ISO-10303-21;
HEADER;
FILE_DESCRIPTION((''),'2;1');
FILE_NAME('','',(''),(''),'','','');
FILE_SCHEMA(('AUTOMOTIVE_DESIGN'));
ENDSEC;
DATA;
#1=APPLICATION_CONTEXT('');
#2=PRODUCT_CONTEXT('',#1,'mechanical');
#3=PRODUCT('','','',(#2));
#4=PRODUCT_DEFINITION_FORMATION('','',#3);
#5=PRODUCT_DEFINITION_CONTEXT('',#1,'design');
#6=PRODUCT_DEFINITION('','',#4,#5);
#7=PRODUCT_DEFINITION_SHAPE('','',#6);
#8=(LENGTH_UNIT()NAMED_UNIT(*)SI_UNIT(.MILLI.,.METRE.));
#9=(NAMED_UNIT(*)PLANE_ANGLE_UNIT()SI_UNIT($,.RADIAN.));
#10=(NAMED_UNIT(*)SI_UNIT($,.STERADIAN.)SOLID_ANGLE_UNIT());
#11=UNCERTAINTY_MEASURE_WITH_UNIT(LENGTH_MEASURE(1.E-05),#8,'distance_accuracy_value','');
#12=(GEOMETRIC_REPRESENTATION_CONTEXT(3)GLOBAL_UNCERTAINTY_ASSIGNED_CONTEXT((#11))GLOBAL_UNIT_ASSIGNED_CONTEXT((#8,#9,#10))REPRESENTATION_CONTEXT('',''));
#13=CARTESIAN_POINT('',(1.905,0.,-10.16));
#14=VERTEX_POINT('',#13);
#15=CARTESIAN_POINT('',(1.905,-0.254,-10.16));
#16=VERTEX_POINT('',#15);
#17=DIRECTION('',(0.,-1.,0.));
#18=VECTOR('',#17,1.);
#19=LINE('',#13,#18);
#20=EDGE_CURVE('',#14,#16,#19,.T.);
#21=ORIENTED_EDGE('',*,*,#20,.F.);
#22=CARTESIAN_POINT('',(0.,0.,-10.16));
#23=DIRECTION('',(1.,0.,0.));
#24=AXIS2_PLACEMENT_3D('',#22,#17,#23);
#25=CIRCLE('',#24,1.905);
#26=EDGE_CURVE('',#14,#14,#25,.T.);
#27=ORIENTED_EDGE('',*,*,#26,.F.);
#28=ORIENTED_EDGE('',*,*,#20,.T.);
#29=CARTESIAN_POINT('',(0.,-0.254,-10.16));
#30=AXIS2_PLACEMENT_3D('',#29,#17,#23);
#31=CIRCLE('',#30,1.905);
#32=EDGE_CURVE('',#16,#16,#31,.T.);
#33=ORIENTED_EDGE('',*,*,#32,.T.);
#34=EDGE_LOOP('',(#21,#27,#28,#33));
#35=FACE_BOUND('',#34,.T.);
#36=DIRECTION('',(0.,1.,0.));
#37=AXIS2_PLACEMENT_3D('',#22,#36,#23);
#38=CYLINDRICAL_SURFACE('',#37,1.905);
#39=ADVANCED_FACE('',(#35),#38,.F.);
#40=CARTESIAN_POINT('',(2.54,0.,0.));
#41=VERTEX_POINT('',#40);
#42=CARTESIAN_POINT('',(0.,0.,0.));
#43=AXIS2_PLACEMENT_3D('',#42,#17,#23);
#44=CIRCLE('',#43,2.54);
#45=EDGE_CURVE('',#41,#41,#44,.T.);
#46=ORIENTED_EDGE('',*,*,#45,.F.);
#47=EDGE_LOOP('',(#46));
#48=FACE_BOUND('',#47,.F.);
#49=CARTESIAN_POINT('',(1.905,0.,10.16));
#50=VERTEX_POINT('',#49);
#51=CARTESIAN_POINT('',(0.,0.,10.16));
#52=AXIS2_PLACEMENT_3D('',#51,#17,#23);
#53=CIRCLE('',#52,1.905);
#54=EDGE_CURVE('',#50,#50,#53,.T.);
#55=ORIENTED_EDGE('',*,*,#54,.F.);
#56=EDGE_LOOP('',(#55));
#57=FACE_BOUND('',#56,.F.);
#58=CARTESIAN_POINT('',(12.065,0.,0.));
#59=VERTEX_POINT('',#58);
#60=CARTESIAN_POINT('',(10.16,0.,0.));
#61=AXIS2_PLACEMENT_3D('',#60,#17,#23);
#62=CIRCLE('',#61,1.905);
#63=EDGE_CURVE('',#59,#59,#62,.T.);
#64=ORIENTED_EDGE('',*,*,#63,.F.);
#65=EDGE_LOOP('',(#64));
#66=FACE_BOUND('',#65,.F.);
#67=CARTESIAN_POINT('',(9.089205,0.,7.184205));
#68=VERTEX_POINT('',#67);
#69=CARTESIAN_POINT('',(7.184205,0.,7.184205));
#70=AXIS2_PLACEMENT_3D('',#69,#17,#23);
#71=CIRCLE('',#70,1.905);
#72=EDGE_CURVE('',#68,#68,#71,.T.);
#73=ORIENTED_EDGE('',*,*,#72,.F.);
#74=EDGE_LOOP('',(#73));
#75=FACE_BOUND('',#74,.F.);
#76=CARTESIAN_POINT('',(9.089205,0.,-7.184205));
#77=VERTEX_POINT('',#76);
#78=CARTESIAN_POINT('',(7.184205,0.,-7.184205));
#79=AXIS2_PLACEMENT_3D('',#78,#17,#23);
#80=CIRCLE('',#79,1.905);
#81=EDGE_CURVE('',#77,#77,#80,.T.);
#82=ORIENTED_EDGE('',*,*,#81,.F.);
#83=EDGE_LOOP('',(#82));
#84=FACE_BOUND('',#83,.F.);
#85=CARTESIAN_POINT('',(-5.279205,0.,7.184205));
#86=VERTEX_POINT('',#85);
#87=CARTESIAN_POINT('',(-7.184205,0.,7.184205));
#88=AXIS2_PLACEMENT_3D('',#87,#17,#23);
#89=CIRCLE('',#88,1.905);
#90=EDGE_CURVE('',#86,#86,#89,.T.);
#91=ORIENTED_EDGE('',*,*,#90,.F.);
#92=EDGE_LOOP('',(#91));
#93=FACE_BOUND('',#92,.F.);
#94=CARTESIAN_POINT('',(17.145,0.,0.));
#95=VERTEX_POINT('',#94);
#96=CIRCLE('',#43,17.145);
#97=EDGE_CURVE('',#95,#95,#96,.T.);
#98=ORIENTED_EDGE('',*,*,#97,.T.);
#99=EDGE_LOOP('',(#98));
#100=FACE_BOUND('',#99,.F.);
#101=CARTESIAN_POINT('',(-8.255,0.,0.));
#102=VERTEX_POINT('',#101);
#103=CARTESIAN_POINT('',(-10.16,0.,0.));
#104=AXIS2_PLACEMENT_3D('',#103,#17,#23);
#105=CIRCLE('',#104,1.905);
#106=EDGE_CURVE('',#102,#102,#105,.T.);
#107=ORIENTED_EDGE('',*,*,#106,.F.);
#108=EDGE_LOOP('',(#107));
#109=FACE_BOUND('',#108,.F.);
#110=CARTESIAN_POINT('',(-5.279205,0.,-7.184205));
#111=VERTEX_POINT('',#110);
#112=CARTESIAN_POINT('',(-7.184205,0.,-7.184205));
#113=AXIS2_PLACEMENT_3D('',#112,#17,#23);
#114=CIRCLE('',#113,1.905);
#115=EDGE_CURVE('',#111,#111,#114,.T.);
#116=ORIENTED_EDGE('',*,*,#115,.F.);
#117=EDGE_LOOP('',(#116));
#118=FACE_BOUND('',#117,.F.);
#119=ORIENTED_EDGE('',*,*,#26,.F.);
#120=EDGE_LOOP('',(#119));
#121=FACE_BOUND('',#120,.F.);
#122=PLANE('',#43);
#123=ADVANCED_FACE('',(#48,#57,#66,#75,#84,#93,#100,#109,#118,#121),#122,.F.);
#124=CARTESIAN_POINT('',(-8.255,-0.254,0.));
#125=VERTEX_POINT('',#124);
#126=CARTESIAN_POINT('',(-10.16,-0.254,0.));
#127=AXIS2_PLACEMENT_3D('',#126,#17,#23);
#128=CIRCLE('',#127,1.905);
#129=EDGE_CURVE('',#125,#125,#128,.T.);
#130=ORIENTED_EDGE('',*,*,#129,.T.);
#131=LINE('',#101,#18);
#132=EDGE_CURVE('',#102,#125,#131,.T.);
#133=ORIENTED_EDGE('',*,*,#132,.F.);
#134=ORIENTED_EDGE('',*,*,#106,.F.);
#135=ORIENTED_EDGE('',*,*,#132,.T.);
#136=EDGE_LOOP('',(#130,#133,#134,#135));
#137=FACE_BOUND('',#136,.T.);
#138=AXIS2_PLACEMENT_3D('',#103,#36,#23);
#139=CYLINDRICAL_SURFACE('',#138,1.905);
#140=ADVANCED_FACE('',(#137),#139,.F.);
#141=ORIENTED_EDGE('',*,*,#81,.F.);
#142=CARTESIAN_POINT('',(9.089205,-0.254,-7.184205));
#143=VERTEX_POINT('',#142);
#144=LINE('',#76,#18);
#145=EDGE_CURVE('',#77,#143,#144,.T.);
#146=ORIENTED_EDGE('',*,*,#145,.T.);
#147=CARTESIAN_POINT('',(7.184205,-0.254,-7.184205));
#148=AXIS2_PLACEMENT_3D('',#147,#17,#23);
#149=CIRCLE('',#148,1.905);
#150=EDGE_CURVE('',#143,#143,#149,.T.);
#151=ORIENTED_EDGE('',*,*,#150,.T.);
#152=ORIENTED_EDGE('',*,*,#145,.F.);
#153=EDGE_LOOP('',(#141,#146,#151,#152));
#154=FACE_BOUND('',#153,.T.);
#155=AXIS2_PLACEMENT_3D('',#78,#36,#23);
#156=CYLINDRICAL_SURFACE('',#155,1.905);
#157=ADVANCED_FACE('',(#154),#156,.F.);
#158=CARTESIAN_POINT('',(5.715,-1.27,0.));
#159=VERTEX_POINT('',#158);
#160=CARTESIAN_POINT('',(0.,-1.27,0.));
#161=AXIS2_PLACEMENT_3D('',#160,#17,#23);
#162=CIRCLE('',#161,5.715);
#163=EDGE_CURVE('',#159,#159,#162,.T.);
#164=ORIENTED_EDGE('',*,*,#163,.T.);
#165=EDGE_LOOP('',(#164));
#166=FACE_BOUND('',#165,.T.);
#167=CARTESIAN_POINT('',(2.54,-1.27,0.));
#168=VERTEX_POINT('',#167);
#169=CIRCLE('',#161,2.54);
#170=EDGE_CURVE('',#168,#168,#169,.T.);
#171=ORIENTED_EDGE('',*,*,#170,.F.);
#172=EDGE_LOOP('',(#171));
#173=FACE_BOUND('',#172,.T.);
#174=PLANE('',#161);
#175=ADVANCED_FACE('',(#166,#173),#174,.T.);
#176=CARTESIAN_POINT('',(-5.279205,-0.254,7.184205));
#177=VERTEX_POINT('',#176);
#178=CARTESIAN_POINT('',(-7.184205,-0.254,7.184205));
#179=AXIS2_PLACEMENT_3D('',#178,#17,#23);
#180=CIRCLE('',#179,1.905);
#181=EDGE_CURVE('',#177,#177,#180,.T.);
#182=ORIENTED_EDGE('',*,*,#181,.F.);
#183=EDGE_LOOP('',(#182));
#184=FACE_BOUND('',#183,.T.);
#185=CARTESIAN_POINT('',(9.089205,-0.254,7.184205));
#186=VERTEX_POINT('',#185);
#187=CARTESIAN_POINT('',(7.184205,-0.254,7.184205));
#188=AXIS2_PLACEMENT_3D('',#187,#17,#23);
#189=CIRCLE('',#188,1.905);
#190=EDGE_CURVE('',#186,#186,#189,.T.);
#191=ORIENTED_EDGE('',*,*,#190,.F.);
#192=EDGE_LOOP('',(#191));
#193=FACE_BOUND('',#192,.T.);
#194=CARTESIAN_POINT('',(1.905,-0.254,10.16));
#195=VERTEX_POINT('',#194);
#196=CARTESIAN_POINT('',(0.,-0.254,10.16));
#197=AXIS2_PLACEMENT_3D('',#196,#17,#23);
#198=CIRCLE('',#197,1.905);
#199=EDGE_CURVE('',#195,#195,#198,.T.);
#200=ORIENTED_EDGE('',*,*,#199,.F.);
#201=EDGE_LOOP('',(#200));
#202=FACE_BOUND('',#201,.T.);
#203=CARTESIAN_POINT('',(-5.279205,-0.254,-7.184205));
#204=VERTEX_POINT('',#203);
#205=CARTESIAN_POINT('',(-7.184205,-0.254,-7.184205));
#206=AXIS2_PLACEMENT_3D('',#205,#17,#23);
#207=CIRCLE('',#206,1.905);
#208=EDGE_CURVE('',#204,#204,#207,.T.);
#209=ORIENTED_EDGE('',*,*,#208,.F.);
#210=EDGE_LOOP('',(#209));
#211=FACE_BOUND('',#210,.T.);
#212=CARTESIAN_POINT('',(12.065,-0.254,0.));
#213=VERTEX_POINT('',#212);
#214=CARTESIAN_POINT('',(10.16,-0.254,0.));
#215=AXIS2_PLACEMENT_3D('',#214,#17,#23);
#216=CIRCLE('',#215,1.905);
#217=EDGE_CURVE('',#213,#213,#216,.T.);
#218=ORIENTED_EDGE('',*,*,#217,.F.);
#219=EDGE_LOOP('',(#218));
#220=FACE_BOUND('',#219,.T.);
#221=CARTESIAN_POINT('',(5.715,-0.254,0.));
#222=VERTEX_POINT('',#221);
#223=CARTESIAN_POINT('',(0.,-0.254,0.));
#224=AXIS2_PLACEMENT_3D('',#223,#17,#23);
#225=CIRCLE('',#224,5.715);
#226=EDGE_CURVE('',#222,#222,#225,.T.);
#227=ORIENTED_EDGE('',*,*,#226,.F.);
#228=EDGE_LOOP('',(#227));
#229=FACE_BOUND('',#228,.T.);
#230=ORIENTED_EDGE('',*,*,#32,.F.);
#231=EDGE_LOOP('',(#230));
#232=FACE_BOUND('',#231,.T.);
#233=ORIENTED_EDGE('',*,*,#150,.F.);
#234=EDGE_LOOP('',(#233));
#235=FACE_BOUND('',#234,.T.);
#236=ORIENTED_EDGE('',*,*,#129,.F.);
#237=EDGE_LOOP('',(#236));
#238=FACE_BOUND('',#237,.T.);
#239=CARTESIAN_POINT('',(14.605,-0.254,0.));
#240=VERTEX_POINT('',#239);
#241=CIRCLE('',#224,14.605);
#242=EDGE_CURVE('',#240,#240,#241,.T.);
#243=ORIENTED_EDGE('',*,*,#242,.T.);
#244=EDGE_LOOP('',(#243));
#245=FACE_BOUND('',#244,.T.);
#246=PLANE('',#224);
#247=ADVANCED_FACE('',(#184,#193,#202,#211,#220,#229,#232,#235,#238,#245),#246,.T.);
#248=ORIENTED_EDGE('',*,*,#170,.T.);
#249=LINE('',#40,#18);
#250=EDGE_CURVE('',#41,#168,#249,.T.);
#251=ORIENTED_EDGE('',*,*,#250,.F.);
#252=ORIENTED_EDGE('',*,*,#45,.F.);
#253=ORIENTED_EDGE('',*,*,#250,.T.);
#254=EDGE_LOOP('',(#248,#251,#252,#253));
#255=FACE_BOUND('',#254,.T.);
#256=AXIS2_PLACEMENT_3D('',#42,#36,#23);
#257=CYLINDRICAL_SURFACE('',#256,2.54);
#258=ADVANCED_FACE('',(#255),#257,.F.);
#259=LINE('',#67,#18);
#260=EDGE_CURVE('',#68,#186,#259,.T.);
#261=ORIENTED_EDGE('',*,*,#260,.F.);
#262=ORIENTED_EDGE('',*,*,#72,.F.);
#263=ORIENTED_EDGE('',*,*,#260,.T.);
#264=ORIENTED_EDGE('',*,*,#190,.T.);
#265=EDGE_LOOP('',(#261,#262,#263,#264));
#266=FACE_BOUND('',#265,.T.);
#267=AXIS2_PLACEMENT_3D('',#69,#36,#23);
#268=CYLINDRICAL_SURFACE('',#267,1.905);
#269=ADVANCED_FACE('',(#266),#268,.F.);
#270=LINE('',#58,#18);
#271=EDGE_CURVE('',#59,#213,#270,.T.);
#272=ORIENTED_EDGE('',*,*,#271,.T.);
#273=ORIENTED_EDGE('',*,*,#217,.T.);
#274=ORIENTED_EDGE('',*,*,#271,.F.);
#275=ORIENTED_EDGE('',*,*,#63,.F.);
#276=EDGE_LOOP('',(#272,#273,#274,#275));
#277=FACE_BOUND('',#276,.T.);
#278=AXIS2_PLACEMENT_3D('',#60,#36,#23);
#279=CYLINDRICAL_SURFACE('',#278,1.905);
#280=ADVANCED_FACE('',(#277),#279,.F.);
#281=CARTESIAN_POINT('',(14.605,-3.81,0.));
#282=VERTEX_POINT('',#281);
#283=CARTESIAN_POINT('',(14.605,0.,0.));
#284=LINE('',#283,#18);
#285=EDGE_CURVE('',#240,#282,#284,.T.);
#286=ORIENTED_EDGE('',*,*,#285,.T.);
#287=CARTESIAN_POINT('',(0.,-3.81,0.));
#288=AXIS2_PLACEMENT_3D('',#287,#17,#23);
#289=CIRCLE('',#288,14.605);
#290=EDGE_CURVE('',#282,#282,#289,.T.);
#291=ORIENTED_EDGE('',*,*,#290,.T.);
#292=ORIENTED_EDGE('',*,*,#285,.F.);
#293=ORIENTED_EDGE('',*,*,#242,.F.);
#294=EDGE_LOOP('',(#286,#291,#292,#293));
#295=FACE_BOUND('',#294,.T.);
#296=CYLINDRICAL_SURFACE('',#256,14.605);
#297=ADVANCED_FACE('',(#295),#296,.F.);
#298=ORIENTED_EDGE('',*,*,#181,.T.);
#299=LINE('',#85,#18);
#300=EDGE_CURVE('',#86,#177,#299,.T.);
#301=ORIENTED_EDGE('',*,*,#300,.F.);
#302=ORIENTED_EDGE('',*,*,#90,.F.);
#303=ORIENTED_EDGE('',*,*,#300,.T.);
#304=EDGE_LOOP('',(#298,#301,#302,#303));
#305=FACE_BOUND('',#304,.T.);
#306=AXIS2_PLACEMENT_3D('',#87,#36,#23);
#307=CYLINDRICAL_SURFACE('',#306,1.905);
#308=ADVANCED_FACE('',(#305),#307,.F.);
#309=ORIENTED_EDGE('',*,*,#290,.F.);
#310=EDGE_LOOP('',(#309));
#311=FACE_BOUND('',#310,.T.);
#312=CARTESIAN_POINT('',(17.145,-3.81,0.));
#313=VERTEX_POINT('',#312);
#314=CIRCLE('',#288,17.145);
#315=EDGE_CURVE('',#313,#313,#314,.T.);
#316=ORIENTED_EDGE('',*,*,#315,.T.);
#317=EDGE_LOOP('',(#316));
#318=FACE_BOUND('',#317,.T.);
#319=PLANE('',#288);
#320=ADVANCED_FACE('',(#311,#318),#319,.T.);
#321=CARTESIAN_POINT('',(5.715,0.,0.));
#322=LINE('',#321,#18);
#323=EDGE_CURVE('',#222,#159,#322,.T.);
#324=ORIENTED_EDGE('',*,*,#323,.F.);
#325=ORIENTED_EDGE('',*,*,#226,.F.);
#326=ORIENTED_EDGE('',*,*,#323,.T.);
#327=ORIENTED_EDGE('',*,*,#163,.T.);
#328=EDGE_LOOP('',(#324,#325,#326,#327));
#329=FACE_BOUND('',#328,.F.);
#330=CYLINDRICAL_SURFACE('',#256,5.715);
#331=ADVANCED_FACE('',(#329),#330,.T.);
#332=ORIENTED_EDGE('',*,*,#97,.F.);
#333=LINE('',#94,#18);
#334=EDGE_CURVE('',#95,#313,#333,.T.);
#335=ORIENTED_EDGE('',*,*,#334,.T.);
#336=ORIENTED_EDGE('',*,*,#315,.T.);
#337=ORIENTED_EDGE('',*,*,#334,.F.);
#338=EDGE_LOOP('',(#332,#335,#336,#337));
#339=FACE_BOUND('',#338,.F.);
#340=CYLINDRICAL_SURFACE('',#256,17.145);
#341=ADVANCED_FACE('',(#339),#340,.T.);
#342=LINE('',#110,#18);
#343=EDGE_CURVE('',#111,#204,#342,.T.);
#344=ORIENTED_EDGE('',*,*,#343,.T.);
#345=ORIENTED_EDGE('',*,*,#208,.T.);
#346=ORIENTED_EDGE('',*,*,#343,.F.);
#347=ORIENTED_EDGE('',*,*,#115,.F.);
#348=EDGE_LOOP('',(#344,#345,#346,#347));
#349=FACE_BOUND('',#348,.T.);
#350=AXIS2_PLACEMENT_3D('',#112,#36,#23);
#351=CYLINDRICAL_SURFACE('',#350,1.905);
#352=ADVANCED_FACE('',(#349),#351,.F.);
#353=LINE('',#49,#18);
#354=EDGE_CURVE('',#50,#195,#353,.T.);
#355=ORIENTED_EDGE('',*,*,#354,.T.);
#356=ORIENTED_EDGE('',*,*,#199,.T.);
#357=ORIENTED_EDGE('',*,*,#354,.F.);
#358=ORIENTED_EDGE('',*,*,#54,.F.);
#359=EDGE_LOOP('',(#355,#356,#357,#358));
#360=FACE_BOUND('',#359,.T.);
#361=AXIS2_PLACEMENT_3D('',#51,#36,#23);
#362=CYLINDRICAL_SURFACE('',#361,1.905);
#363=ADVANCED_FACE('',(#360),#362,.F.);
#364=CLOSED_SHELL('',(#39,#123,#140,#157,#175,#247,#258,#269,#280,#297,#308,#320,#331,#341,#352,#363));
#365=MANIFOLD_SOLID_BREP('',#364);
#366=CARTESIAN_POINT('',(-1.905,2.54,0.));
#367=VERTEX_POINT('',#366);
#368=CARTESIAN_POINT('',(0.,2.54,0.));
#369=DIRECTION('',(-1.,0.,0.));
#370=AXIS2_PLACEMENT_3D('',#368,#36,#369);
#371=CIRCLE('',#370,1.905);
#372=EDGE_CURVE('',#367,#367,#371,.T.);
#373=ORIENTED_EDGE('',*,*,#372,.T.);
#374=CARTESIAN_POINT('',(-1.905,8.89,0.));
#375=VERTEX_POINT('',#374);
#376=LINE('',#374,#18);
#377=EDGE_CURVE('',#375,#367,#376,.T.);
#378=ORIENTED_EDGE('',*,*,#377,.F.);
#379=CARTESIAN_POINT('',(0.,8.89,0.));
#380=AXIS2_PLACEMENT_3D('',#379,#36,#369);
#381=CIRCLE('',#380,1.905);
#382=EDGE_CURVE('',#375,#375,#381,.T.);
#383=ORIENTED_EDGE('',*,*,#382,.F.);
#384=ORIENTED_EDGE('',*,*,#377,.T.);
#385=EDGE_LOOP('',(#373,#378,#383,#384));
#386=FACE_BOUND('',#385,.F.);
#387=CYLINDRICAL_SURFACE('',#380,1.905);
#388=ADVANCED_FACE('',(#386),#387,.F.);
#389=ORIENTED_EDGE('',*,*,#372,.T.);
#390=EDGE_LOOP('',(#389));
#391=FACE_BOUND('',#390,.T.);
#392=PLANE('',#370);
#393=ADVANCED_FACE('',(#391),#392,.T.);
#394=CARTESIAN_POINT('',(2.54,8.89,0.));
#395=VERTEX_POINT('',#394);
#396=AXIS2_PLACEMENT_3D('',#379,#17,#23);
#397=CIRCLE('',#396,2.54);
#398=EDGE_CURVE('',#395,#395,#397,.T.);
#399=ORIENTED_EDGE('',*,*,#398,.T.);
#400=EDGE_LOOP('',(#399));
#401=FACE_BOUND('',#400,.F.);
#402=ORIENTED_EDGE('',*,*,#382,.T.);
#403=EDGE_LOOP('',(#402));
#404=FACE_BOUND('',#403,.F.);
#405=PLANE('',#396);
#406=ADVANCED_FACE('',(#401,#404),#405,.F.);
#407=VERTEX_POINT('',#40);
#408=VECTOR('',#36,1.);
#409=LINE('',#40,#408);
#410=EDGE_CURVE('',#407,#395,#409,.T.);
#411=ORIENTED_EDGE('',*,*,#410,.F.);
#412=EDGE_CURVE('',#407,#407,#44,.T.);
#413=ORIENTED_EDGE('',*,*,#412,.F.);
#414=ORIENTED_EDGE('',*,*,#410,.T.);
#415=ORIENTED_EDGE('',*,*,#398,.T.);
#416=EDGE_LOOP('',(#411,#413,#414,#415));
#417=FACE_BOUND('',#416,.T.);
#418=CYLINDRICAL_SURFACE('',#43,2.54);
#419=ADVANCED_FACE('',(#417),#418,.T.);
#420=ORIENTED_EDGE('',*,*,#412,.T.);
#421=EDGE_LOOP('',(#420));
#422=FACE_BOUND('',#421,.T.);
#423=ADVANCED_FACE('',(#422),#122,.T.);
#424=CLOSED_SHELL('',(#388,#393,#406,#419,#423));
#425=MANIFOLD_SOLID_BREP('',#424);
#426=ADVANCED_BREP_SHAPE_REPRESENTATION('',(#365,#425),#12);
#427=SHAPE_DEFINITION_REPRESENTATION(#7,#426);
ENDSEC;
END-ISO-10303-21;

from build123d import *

# Parameters (mm, degrees)
F0_R     = 17.145
F0_R_2   = 14.605
F1_DEPTH = 3.81
F0_R_3   = 5.715
F0_R_4   = 2.54
F2_DEPTH = 1.27
F0_R_5   = 1.905
F3_DEPTH = 0.254
F4_DEPTH = 8.89
F5_R     = 1.905
F6_DEPTH = 6.35


with BuildPart() as f1:
    # F0 (on Front) → F1 (new body)
    with BuildSketch(Plane.XZ):
        Circle(F0_R)
        Circle(F0_R_2, mode=Mode.SUBTRACT)
    extrude(amount=F1_DEPTH)



with BuildPart() as f2:
    # F0 (on Front) → F2 (new body)
    with BuildSketch(Plane.XZ):
        Circle(F0_R_3)
        Circle(F0_R_4, mode=Mode.SUBTRACT)
    extrude(amount=F2_DEPTH)


with BuildPart() as f1_1:
    add(f1.part)

    add(f2.part)  # F3 merges F2
    # F0 (on Front) → F3 (join)
    with BuildSketch(Plane.XZ):
        Circle(F0_R_2)
        with Locations((-7.184205, -7.184205)):
            Circle(F0_R_5, mode=Mode.SUBTRACT)
        with Locations((0, -10.16)):
            Circle(F0_R_5, mode=Mode.SUBTRACT)
        with Locations((7.184205, -7.184205)):
            Circle(F0_R_5, mode=Mode.SUBTRACT)
        with Locations((-10.16, 0)):
            Circle(F0_R_5, mode=Mode.SUBTRACT)
        with Locations((-7.184205, 7.184205)):
            Circle(F0_R_5, mode=Mode.SUBTRACT)
        Circle(F0_R_3, mode=Mode.SUBTRACT)
        with Locations((7.184205, 7.184205)):
            Circle(F0_R_5, mode=Mode.SUBTRACT)
        with Locations((10.16, 0)):
            Circle(F0_R_5, mode=Mode.SUBTRACT)
        with Locations((0, 10.16)):
            Circle(F0_R_5, mode=Mode.SUBTRACT)
    extrude(amount=F3_DEPTH)

    # F0 (on Front) → F4 (join)
    with BuildSketch(Plane.XZ):
        Circle(F0_R_4)
    extrude(amount=-F4_DEPTH)

    # F5 (on face) → F6 (cut)
    with BuildSketch(Plane(origin=(0, 8.89, 0), x_dir=(-1, 0, 0), z_dir=(0, 1, 0))):
        Circle(F5_R)
    extrude(amount=-F6_DEPTH, mode=Mode.SUBTRACT)


solid = f1_1.part
